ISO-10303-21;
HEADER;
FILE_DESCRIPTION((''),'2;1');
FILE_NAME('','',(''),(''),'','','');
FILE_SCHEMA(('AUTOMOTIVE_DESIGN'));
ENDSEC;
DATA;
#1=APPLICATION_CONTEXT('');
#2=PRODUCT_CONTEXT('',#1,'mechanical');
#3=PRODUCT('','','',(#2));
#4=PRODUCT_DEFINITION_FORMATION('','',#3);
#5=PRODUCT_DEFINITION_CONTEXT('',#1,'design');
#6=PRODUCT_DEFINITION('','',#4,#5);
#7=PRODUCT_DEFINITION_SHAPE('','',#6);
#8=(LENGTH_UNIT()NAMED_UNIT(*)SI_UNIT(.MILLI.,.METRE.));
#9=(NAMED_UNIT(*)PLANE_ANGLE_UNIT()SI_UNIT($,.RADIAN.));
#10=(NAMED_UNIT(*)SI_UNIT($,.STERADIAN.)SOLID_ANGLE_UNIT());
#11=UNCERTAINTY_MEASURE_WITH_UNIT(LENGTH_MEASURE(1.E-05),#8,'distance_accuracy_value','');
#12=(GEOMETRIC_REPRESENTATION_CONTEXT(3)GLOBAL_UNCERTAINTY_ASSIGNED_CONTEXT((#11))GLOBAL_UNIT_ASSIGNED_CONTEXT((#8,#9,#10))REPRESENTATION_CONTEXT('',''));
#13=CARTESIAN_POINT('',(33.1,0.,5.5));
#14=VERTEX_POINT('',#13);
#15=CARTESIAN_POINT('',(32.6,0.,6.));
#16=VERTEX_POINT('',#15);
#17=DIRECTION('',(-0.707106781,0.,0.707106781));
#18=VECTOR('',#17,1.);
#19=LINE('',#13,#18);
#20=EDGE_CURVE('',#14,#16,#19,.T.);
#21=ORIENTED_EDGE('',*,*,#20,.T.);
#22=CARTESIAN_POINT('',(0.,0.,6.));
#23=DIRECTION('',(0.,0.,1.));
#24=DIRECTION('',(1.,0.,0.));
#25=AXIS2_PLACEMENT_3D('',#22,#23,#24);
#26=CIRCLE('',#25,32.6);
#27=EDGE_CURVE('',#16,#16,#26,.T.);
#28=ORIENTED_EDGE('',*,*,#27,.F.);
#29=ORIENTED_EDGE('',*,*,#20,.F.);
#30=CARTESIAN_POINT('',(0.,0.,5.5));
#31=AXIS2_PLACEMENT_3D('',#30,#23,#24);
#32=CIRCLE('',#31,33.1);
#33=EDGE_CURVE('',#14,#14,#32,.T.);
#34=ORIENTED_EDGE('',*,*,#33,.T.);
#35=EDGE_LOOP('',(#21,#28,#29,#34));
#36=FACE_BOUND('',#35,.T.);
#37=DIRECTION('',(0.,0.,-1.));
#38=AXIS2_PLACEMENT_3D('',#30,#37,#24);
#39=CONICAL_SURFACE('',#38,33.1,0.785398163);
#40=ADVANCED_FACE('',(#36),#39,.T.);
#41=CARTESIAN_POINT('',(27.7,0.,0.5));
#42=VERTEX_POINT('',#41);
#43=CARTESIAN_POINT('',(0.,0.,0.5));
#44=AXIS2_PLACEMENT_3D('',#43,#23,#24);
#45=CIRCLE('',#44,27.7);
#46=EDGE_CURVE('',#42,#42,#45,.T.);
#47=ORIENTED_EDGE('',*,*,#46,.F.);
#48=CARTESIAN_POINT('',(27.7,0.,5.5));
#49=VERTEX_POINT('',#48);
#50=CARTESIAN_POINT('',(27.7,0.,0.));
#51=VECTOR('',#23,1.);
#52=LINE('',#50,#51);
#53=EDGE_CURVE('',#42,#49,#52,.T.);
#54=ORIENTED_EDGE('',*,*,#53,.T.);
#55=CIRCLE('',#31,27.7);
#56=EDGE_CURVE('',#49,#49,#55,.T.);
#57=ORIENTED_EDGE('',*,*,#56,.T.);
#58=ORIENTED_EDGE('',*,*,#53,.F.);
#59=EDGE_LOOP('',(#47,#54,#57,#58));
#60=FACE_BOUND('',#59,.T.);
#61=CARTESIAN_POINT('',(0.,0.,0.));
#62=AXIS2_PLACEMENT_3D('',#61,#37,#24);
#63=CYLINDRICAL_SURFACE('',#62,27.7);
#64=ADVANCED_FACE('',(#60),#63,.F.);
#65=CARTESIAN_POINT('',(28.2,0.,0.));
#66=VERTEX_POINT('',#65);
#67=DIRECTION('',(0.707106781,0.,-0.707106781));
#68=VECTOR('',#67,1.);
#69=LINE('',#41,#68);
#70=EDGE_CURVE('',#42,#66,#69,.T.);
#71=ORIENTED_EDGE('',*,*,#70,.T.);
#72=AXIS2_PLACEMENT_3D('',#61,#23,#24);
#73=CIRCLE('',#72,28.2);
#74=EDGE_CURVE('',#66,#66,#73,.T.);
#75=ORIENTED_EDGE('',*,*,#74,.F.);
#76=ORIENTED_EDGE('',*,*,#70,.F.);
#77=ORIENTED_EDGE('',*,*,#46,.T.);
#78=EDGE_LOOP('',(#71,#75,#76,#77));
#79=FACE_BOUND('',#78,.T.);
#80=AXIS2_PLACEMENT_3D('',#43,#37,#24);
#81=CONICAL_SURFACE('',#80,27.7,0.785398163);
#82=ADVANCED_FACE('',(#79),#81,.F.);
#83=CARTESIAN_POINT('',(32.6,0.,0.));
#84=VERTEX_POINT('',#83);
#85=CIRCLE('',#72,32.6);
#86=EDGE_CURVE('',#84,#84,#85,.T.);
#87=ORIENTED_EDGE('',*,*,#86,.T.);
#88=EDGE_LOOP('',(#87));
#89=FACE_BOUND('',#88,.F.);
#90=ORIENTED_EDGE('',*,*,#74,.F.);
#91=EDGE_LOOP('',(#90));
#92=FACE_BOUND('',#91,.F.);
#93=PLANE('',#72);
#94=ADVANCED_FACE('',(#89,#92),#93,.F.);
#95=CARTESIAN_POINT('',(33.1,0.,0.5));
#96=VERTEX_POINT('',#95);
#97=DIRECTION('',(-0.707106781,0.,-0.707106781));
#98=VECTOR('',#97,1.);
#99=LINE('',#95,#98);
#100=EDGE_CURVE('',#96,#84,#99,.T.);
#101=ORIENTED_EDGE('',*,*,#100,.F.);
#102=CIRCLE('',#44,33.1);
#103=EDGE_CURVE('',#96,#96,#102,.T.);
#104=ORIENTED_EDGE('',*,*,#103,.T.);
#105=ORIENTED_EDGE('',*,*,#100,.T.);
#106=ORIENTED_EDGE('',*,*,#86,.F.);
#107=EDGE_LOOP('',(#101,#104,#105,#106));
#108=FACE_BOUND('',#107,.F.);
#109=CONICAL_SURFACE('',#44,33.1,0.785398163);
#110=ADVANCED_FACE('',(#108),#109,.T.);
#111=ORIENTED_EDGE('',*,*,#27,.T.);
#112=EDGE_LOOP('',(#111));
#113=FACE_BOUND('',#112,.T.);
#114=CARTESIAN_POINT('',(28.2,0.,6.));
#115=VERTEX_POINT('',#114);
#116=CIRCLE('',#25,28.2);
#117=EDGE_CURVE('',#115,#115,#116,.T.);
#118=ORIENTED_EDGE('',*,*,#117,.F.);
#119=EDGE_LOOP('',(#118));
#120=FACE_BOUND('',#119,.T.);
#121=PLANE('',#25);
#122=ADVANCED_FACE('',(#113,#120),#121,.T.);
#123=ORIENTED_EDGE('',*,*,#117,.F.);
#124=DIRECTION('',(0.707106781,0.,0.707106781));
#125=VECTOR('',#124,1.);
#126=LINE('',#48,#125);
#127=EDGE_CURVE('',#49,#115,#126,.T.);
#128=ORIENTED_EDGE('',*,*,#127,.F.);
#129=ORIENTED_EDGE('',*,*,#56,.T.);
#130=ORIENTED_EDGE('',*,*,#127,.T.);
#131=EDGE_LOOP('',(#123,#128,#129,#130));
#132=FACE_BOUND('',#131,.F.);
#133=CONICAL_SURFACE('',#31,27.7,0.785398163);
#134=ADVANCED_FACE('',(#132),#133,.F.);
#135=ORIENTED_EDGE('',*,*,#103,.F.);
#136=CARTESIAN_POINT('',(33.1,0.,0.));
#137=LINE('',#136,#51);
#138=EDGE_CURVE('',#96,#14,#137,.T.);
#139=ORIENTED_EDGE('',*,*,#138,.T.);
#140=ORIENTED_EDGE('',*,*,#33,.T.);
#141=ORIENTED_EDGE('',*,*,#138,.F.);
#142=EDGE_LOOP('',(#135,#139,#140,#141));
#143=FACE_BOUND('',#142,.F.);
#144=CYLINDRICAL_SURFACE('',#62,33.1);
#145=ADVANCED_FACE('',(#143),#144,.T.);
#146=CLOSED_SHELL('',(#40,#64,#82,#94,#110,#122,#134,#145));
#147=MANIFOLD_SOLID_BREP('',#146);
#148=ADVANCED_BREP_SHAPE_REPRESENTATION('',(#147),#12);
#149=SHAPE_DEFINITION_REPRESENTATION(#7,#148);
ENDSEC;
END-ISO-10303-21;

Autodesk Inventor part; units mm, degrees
ref_plane "YZ Plane" through (0, 0, 0) normal (1, 0, 0) x (0, 1, 0)
ref_plane "XZ Plane" through (0, 0, 0) normal (0, 1, 0) x (-1, 0, 0)
ref_plane "XY Plane" through (0, 0, 0) normal (0, 0, 1) x (1, 0, 0)
sketch "草圖1" plane through (0, 0, 0) normal (0, 0, 1) x (1, 0, 0)
  circle A0 centre (0, 0) radius 27.7
  circle A1 centre (0, 0) radius 33.1
  dimension "d0" = 66.2
  dimension "d1" = 55.4
extrude "擠出1" add sketch "草圖1" along normal blind 6
chamfer "倒角1" distance 0.5 angle 45 4 edges at (-27.7, 0, 6) (-27.7, 0, 0) (-33.1, 0, 6) (-33.1, 0, 0)
properties part number "KE-SP-01"
